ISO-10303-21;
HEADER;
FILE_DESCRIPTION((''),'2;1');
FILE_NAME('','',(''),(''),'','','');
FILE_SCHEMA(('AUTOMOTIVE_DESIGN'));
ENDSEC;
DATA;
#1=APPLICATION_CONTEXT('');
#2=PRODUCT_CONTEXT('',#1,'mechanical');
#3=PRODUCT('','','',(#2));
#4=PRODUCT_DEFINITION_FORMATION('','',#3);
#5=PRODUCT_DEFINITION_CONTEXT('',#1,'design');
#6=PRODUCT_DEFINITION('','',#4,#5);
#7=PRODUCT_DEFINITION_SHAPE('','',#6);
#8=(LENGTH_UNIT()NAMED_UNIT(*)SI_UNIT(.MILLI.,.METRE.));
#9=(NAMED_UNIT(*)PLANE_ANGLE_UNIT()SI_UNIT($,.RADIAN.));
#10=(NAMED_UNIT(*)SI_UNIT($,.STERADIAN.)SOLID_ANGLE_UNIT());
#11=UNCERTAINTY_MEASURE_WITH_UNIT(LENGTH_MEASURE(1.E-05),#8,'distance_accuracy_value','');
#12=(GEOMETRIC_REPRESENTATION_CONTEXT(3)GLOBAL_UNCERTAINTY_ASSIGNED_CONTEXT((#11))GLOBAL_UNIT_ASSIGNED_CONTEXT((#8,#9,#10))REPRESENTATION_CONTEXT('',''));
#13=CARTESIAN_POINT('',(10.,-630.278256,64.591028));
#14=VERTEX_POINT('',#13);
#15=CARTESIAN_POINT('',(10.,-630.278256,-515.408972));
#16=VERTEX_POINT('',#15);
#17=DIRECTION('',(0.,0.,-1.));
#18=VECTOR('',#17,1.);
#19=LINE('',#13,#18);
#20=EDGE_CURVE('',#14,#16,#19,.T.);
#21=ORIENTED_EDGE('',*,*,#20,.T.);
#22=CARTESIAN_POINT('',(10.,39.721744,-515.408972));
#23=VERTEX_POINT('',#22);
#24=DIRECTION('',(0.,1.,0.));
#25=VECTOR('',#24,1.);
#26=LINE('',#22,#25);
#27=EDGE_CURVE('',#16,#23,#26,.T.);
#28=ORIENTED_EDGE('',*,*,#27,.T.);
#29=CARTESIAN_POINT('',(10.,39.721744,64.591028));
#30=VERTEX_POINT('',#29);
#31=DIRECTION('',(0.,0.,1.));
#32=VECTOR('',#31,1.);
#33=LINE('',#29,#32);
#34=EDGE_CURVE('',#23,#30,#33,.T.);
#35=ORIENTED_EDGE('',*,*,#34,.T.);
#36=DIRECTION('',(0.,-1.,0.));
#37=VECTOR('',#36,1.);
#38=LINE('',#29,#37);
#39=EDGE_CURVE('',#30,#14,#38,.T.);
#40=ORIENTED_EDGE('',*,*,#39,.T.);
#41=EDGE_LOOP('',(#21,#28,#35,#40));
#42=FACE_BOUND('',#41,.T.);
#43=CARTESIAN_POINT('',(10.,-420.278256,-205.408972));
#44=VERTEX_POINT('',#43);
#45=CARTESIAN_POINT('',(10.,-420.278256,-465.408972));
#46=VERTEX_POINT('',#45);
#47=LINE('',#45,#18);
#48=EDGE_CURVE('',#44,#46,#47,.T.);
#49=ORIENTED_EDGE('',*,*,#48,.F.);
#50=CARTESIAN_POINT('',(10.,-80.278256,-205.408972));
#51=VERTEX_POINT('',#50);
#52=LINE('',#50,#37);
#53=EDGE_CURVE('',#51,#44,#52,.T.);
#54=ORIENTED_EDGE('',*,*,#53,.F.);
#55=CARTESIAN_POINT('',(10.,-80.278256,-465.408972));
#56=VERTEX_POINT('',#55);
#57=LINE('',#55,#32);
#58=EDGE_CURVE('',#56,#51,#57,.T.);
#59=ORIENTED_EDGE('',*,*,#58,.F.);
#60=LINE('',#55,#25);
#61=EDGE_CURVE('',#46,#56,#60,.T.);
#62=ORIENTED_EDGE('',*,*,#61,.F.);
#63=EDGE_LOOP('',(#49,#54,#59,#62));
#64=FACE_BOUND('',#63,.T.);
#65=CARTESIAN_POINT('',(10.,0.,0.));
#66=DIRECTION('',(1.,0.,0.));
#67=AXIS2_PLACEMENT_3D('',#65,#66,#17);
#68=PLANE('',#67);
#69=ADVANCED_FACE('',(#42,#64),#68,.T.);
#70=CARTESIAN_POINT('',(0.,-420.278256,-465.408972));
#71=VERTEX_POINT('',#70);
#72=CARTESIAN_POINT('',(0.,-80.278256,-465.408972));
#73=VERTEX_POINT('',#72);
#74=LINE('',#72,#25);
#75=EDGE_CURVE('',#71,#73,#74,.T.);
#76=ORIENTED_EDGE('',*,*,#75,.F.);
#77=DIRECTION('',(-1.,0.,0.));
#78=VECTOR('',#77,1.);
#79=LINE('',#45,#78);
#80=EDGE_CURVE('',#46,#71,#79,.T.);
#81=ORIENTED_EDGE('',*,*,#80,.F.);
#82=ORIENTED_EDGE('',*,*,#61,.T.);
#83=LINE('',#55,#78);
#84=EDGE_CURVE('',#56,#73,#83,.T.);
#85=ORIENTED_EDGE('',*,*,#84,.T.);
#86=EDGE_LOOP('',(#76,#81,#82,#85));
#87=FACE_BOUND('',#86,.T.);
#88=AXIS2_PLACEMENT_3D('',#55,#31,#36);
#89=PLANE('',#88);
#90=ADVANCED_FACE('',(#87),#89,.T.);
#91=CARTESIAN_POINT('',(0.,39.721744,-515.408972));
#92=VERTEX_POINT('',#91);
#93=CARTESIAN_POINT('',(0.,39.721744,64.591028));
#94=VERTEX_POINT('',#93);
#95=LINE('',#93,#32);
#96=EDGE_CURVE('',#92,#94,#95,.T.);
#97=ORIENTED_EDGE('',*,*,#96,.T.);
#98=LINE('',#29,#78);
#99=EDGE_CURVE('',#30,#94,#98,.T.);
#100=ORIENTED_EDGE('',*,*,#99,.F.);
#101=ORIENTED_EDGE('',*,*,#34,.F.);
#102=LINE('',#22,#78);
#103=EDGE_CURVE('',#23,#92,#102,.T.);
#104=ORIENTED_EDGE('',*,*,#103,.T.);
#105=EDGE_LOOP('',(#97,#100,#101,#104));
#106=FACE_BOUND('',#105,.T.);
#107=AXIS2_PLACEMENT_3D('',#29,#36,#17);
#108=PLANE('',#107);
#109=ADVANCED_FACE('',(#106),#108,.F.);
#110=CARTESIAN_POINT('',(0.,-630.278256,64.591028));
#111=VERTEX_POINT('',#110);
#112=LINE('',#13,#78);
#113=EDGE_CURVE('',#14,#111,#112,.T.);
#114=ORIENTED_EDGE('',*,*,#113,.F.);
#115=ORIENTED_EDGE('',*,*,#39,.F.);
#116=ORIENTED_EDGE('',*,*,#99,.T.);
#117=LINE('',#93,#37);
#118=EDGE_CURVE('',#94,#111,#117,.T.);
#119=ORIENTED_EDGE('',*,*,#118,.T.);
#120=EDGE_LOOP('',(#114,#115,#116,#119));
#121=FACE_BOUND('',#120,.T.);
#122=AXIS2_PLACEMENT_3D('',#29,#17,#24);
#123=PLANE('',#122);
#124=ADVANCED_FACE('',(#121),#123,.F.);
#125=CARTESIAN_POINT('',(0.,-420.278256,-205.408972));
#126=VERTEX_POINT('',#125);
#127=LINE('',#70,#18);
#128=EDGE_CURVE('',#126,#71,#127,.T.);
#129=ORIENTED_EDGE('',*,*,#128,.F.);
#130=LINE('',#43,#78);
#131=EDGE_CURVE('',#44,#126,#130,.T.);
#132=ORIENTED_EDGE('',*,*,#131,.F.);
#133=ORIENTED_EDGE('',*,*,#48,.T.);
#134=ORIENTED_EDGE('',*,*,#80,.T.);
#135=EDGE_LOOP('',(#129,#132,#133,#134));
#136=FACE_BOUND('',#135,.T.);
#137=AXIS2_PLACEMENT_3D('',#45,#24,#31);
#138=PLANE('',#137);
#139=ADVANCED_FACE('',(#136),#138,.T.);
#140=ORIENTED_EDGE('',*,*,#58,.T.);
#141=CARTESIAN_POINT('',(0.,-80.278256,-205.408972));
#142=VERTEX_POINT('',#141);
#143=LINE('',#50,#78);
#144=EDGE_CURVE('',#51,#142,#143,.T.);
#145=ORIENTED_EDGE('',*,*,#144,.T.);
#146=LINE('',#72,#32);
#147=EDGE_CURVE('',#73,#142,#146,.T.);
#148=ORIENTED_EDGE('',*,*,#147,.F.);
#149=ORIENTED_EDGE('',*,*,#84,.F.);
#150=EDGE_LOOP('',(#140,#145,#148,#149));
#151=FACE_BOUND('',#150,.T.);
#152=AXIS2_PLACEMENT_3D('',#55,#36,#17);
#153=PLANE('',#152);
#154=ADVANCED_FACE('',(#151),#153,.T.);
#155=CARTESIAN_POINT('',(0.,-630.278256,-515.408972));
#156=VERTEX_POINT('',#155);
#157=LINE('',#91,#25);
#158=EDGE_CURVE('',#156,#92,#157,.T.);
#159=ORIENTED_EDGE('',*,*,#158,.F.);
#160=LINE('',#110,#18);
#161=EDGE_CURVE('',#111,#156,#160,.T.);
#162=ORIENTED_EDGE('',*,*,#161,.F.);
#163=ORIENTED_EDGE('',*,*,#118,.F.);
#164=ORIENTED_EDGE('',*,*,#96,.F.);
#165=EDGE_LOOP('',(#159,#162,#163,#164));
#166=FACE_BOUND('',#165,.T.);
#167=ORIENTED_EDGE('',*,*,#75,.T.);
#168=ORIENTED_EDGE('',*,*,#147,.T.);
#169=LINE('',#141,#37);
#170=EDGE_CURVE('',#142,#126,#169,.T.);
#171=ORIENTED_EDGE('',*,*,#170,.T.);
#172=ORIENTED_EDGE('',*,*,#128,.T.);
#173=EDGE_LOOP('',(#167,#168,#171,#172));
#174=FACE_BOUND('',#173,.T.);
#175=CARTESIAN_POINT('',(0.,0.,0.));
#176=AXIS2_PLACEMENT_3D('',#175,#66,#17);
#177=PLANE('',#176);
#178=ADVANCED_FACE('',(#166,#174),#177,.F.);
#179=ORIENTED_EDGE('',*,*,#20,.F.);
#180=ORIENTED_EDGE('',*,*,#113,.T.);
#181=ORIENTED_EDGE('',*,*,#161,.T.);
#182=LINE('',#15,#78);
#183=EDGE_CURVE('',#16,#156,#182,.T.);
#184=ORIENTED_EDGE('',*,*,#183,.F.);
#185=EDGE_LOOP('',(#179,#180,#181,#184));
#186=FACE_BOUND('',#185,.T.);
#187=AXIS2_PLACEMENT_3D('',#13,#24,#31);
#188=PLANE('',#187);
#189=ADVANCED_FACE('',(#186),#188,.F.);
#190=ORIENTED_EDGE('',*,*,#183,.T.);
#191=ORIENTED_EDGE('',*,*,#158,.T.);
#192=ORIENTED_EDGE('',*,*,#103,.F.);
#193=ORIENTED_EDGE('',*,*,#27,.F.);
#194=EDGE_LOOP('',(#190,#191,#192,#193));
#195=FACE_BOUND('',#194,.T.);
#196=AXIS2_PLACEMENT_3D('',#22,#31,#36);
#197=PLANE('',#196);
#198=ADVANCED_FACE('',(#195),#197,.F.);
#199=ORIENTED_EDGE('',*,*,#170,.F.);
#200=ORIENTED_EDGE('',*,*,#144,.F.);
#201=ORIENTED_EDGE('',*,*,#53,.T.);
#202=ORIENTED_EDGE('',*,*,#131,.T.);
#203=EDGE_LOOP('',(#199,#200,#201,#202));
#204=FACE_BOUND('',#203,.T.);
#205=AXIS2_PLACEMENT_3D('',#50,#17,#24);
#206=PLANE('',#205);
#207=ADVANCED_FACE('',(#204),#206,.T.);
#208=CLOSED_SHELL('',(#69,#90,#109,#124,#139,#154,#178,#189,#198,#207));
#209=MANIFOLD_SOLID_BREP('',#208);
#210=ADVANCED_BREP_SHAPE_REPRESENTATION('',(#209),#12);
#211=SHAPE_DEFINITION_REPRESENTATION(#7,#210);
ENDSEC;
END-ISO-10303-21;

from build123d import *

# Parameters (mm, degrees)
ESQUISSE1_W        = 580
ESQUISSE1_H        = 670
ESQUISSE1_W_2      = 260
ESQUISSE1_H_2      = 340
BOSS_EXTRU_1_DEPTH = 10


with BuildPart() as part:
    # Esquisse1 → Boss.-Extru.1 (new body)
    with BuildSketch(Plane(origin=(0, 0, 0), x_dir=(0, 0, -1), z_dir=(1, 0, 0))):
        with Locations((225.408971833, -295.278255821)):
            Rectangle(ESQUISSE1_W, ESQUISSE1_H)
        with Locations((335.408971833, -250.278255821)):
            Rectangle(ESQUISSE1_W_2, ESQUISSE1_H_2, mode=Mode.SUBTRACT)
    extrude(amount=BOSS_EXTRU_1_DEPTH)


solid = part.part
